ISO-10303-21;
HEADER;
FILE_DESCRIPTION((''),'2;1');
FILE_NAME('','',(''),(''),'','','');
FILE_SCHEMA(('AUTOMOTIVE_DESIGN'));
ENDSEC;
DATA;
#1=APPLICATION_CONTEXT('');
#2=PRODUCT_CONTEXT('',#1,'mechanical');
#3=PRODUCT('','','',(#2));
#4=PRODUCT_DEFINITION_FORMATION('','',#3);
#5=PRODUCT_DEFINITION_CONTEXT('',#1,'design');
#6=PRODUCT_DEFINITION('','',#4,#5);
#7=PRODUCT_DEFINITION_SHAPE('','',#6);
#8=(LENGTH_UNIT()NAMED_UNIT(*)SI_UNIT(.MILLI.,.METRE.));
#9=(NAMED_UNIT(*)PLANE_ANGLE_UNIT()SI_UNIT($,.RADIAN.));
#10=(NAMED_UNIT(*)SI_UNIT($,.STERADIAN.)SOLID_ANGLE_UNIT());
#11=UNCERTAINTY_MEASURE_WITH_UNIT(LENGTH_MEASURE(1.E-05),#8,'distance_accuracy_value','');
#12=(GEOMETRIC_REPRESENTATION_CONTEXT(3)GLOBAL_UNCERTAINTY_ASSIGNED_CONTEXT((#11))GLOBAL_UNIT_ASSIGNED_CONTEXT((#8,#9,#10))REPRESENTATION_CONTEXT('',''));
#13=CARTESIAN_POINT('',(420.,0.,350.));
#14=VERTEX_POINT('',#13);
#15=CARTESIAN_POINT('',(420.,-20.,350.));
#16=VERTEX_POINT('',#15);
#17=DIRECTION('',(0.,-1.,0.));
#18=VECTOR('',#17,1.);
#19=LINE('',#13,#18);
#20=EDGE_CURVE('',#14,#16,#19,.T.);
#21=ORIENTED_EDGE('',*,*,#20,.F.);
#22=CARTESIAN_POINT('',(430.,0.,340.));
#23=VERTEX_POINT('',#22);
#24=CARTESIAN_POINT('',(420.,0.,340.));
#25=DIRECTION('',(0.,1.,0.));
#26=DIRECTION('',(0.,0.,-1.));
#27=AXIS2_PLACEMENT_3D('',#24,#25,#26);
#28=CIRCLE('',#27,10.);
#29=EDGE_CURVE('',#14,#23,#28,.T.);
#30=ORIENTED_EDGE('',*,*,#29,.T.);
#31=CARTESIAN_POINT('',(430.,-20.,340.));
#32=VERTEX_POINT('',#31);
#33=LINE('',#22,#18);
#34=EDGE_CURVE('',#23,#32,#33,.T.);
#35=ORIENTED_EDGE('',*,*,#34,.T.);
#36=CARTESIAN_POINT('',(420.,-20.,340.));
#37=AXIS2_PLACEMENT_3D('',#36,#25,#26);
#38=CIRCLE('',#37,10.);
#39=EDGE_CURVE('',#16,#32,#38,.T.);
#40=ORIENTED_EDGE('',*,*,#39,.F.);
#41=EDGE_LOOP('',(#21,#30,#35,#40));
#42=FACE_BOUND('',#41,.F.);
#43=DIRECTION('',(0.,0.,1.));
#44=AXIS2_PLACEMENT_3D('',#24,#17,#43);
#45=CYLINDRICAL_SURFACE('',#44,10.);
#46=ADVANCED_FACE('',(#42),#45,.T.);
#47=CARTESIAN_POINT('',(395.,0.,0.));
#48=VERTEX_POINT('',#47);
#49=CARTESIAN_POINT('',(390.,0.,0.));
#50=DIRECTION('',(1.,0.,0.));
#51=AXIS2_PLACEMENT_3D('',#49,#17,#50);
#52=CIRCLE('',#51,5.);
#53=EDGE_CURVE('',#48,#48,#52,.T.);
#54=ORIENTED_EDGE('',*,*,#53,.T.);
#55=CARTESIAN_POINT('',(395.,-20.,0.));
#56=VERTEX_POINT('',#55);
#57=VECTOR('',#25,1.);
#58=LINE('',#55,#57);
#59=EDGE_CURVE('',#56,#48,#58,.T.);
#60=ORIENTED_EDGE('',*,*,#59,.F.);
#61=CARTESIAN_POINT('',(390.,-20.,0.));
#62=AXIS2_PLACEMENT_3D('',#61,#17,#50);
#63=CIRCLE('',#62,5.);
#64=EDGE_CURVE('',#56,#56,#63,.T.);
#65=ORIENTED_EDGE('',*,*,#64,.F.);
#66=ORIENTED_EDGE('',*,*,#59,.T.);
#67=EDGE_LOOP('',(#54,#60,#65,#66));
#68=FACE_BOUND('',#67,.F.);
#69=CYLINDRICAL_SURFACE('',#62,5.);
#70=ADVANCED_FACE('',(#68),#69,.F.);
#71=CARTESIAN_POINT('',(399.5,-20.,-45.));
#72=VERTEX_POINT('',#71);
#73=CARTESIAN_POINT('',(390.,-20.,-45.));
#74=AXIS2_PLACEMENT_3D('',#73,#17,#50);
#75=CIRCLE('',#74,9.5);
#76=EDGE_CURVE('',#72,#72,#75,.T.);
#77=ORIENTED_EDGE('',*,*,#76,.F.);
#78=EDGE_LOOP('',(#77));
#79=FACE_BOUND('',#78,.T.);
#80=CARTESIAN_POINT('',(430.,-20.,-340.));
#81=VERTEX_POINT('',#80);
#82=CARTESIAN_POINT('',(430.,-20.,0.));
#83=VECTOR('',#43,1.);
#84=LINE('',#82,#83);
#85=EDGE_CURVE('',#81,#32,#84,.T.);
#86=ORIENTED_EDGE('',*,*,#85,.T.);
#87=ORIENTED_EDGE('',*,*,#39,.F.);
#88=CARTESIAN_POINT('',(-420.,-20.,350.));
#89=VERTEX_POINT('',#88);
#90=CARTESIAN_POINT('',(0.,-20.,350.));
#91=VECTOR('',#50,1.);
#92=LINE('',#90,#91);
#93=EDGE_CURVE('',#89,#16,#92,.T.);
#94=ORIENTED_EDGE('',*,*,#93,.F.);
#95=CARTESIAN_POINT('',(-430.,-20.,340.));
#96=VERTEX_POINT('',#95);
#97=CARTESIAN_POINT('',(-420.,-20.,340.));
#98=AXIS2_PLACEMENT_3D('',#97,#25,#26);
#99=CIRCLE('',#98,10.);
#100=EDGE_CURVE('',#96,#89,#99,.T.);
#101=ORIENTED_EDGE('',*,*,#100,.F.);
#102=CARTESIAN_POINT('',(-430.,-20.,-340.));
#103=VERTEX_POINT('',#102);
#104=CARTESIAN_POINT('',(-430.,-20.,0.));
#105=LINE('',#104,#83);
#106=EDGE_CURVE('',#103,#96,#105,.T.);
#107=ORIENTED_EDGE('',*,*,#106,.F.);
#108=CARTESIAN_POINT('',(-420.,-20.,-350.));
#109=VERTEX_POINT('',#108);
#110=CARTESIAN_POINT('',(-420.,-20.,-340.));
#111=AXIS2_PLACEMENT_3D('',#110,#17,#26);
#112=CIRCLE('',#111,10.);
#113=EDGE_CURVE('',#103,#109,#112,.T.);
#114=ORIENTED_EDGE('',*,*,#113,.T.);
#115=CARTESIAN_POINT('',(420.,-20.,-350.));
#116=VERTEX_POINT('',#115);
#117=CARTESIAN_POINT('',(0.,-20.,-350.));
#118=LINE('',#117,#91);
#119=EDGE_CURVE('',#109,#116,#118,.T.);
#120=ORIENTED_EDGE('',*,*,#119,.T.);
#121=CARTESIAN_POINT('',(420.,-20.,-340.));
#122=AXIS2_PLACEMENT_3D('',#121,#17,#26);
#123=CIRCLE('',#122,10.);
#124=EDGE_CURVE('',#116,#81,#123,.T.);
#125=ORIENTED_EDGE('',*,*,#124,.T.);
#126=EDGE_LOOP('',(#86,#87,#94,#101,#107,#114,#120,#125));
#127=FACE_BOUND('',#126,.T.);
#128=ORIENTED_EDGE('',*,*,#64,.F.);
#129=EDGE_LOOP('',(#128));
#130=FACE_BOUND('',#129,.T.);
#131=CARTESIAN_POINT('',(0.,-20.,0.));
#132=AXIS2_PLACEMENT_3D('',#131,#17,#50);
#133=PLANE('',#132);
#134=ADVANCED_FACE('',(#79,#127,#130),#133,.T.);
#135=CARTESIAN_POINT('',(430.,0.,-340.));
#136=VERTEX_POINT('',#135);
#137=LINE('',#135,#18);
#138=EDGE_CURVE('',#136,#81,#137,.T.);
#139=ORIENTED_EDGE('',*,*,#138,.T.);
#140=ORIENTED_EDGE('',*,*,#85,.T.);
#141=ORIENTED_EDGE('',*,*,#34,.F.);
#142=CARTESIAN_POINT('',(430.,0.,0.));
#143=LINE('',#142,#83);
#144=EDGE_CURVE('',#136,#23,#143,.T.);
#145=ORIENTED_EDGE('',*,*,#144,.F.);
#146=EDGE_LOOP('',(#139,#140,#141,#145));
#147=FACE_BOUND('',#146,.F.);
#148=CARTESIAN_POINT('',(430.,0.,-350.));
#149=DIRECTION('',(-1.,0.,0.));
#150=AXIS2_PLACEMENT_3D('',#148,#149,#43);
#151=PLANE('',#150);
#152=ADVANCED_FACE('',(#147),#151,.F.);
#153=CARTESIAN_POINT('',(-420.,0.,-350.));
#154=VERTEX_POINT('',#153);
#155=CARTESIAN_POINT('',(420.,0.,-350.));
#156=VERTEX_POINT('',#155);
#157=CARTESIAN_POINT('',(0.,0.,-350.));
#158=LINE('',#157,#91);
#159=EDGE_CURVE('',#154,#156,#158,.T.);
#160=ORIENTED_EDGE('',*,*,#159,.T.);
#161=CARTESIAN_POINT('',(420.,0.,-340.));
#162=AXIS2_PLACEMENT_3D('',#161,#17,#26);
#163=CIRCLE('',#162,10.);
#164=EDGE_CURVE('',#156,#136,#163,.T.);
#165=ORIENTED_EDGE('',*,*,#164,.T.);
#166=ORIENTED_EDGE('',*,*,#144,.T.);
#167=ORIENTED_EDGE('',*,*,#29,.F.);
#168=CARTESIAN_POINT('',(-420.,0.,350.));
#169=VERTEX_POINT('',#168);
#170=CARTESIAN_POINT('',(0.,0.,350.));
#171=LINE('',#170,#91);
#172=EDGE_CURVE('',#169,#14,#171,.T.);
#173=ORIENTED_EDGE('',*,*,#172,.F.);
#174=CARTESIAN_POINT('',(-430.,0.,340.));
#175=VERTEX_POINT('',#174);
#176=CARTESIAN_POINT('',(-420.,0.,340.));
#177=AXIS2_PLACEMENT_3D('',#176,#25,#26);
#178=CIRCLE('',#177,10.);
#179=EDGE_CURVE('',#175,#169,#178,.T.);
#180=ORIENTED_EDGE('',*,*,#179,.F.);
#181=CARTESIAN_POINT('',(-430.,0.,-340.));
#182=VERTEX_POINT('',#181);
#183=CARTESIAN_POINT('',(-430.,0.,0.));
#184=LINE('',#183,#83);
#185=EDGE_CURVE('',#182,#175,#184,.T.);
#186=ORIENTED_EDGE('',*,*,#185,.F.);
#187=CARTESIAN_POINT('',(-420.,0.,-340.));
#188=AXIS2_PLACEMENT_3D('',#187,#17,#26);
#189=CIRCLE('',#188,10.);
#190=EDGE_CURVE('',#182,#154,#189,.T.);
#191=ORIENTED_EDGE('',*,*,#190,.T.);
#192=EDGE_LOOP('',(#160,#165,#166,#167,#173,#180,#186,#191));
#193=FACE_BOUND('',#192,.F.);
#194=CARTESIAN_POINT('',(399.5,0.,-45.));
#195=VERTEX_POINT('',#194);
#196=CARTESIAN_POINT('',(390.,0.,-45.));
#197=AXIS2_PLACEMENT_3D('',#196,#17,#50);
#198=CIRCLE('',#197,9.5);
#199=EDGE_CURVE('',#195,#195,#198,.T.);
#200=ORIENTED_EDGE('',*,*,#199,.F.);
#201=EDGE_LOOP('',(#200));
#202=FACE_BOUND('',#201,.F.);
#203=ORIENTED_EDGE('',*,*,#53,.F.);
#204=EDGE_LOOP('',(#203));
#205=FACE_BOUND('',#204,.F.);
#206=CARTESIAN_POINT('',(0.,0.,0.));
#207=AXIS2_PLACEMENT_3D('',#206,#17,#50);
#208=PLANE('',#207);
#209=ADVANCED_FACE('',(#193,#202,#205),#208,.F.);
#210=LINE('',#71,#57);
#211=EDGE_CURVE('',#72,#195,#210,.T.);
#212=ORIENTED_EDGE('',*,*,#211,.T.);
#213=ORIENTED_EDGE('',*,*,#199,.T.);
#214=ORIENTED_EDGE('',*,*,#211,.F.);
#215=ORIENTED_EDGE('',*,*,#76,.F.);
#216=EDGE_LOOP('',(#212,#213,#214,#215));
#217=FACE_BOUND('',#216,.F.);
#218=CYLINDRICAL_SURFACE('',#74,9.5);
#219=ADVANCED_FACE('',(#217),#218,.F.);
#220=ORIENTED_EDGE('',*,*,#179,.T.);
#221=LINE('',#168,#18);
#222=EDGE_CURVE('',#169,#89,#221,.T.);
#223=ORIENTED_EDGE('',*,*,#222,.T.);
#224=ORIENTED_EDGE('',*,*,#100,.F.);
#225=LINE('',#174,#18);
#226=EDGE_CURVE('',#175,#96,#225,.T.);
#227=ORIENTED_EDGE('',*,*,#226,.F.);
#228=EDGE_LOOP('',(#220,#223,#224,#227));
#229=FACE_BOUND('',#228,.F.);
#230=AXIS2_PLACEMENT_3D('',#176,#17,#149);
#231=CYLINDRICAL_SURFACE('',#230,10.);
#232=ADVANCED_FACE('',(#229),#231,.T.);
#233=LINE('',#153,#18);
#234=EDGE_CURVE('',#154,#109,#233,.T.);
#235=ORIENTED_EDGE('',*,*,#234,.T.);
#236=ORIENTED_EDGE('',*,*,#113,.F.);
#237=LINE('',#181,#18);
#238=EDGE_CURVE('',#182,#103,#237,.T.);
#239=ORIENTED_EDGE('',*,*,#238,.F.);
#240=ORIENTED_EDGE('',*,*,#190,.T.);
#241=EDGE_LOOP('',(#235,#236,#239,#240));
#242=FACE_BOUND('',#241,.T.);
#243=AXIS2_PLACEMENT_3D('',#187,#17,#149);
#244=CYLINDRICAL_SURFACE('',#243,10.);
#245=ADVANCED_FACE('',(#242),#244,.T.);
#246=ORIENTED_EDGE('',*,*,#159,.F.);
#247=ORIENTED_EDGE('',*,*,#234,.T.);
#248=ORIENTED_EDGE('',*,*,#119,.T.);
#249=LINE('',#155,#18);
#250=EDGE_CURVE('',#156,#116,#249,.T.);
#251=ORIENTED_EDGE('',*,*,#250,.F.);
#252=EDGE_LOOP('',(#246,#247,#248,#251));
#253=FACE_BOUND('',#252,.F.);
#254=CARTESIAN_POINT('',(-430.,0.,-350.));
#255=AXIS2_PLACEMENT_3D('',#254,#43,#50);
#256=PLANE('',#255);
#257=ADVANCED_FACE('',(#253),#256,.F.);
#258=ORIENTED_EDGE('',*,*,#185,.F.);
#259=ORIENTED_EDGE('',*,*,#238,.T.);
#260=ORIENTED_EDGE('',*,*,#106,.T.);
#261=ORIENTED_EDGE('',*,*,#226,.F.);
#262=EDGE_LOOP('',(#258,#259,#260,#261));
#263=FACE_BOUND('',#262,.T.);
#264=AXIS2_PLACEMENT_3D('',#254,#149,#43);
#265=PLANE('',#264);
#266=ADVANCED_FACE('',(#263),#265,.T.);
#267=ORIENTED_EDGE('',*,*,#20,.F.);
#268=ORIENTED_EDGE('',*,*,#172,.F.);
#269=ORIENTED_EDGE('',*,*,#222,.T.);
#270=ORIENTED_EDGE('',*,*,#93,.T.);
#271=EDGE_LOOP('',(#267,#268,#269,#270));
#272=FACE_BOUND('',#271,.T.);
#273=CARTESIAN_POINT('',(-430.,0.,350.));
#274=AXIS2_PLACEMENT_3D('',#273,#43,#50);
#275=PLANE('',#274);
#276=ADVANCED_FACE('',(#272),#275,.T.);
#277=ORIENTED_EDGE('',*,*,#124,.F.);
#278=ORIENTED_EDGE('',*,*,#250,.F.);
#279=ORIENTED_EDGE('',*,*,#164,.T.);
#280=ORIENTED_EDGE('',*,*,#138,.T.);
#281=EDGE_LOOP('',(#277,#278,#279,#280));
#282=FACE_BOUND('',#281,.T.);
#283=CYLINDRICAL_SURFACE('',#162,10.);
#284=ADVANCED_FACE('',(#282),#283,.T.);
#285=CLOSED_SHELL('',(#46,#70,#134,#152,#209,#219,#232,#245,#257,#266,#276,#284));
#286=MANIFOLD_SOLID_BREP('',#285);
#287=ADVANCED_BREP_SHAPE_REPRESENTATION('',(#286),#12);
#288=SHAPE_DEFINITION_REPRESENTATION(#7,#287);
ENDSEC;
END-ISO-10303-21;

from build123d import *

# Parameters (mm, degrees)
F0_W     = 860
F0_H     = 700
F1_DEPTH = 20
F2_R     = 5
F3_DEPTH = 20.001
F4_R     = 9.5
F5_DEPTH = 20.001
F6_R     = 10


with BuildPart() as f1:
    # F0 (on Front) → F1 (new body)
    with BuildSketch(Plane.XZ):
        Rectangle(F0_W, F0_H)
    extrude(amount=F1_DEPTH)

    # F2 (on face) → F3 (cut, through all)
    with BuildSketch(Plane.XZ.offset(20)):
        with Locations((390, 0)):
            Circle(F2_R)
    extrude(amount=-F3_DEPTH, mode=Mode.SUBTRACT)

    # F4 (on face) → F5 (cut, through all)
    with BuildSketch(Plane.XZ.offset(20)):
        with Locations((390, -45)):
            Circle(F4_R)
    extrude(amount=-F5_DEPTH, mode=Mode.SUBTRACT)

    # F6
    f6_edges = [f1.edges().sort_by_distance(p)[0] for p in [
        (430, -10, 350),
        (430, -10, -350),
        (-430, -10, 350),
        (-430, -10, -350),
    ]]
    fillet(f6_edges, radius=F6_R)


solid = f1.part
